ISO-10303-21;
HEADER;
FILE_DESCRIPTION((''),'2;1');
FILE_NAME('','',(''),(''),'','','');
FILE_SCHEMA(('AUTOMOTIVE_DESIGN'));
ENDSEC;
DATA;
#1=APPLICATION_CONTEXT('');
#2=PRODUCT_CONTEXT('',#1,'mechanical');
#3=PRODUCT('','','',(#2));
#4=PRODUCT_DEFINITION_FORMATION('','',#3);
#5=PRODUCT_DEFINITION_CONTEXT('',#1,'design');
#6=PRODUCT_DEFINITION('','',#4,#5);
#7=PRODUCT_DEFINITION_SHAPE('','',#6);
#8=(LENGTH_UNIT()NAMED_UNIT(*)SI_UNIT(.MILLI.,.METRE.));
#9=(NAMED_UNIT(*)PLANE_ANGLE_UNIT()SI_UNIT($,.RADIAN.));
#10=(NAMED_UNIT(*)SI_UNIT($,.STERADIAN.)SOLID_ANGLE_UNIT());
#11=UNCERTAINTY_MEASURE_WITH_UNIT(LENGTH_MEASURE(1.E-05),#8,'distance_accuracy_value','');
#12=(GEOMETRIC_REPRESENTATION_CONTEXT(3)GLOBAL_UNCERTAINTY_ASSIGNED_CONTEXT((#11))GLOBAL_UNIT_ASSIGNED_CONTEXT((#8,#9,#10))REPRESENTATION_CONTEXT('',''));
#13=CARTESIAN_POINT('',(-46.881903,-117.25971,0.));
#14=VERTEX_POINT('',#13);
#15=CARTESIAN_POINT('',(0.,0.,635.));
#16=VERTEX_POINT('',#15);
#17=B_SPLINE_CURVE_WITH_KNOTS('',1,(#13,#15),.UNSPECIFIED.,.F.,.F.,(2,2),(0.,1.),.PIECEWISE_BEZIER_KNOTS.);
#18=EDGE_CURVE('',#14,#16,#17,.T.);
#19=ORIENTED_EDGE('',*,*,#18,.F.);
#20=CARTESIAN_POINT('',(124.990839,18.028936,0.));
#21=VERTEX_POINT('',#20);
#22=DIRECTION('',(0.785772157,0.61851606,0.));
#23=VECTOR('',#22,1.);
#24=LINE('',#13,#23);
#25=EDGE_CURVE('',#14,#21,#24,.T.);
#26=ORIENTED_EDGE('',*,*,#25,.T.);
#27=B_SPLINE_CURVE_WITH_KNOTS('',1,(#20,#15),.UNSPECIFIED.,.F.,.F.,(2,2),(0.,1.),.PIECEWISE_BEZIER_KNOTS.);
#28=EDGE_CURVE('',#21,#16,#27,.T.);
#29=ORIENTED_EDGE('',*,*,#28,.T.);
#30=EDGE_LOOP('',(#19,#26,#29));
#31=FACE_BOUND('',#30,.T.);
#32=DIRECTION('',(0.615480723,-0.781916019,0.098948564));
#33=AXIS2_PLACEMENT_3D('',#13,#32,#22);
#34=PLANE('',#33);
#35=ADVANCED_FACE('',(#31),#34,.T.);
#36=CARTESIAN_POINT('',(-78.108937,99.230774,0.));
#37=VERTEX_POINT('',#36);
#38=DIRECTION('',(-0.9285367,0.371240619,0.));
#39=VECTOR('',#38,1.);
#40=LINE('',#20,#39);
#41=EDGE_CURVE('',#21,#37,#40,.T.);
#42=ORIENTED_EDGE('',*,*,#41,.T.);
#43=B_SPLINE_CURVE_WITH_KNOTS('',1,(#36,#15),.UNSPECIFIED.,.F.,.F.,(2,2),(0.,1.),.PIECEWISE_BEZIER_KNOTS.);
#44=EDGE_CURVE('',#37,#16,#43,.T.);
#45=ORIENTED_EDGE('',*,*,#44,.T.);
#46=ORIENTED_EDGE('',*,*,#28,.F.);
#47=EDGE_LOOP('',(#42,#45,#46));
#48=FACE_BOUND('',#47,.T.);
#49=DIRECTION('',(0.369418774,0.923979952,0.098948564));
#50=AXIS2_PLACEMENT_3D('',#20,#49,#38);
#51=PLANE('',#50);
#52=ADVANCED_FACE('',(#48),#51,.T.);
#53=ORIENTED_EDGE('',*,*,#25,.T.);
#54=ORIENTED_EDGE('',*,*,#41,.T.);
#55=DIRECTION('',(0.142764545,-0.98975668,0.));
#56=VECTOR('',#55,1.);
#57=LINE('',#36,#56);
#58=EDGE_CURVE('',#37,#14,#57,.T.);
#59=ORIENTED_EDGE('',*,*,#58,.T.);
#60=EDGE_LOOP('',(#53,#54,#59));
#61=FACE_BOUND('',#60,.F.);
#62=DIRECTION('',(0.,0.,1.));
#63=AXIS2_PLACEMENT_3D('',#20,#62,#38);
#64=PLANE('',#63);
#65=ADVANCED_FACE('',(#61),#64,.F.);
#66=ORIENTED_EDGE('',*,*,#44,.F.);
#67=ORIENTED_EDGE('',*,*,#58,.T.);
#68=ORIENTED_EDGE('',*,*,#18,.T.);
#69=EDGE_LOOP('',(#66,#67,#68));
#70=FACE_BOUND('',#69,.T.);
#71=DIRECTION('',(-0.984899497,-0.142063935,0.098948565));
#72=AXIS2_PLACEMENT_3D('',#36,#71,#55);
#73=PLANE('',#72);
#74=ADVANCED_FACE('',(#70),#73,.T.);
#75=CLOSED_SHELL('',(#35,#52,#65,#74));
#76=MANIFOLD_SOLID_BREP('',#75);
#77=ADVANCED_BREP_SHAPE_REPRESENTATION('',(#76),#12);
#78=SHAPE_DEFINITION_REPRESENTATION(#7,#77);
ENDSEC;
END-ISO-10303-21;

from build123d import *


with BuildPart() as f3:
    # F0 (on Top) → F3 section 0
    with BuildSketch(Plane.XY, mode=Mode.PRIVATE) as f3_s0:
        Polygon((124.990839, 18.028936), (-78.108937, 99.230774), (-46.881903, -117.25971), align=None)
    loft([f3_s0.sketch, Vertex(0, 0, 635)])


solid = f3.part
